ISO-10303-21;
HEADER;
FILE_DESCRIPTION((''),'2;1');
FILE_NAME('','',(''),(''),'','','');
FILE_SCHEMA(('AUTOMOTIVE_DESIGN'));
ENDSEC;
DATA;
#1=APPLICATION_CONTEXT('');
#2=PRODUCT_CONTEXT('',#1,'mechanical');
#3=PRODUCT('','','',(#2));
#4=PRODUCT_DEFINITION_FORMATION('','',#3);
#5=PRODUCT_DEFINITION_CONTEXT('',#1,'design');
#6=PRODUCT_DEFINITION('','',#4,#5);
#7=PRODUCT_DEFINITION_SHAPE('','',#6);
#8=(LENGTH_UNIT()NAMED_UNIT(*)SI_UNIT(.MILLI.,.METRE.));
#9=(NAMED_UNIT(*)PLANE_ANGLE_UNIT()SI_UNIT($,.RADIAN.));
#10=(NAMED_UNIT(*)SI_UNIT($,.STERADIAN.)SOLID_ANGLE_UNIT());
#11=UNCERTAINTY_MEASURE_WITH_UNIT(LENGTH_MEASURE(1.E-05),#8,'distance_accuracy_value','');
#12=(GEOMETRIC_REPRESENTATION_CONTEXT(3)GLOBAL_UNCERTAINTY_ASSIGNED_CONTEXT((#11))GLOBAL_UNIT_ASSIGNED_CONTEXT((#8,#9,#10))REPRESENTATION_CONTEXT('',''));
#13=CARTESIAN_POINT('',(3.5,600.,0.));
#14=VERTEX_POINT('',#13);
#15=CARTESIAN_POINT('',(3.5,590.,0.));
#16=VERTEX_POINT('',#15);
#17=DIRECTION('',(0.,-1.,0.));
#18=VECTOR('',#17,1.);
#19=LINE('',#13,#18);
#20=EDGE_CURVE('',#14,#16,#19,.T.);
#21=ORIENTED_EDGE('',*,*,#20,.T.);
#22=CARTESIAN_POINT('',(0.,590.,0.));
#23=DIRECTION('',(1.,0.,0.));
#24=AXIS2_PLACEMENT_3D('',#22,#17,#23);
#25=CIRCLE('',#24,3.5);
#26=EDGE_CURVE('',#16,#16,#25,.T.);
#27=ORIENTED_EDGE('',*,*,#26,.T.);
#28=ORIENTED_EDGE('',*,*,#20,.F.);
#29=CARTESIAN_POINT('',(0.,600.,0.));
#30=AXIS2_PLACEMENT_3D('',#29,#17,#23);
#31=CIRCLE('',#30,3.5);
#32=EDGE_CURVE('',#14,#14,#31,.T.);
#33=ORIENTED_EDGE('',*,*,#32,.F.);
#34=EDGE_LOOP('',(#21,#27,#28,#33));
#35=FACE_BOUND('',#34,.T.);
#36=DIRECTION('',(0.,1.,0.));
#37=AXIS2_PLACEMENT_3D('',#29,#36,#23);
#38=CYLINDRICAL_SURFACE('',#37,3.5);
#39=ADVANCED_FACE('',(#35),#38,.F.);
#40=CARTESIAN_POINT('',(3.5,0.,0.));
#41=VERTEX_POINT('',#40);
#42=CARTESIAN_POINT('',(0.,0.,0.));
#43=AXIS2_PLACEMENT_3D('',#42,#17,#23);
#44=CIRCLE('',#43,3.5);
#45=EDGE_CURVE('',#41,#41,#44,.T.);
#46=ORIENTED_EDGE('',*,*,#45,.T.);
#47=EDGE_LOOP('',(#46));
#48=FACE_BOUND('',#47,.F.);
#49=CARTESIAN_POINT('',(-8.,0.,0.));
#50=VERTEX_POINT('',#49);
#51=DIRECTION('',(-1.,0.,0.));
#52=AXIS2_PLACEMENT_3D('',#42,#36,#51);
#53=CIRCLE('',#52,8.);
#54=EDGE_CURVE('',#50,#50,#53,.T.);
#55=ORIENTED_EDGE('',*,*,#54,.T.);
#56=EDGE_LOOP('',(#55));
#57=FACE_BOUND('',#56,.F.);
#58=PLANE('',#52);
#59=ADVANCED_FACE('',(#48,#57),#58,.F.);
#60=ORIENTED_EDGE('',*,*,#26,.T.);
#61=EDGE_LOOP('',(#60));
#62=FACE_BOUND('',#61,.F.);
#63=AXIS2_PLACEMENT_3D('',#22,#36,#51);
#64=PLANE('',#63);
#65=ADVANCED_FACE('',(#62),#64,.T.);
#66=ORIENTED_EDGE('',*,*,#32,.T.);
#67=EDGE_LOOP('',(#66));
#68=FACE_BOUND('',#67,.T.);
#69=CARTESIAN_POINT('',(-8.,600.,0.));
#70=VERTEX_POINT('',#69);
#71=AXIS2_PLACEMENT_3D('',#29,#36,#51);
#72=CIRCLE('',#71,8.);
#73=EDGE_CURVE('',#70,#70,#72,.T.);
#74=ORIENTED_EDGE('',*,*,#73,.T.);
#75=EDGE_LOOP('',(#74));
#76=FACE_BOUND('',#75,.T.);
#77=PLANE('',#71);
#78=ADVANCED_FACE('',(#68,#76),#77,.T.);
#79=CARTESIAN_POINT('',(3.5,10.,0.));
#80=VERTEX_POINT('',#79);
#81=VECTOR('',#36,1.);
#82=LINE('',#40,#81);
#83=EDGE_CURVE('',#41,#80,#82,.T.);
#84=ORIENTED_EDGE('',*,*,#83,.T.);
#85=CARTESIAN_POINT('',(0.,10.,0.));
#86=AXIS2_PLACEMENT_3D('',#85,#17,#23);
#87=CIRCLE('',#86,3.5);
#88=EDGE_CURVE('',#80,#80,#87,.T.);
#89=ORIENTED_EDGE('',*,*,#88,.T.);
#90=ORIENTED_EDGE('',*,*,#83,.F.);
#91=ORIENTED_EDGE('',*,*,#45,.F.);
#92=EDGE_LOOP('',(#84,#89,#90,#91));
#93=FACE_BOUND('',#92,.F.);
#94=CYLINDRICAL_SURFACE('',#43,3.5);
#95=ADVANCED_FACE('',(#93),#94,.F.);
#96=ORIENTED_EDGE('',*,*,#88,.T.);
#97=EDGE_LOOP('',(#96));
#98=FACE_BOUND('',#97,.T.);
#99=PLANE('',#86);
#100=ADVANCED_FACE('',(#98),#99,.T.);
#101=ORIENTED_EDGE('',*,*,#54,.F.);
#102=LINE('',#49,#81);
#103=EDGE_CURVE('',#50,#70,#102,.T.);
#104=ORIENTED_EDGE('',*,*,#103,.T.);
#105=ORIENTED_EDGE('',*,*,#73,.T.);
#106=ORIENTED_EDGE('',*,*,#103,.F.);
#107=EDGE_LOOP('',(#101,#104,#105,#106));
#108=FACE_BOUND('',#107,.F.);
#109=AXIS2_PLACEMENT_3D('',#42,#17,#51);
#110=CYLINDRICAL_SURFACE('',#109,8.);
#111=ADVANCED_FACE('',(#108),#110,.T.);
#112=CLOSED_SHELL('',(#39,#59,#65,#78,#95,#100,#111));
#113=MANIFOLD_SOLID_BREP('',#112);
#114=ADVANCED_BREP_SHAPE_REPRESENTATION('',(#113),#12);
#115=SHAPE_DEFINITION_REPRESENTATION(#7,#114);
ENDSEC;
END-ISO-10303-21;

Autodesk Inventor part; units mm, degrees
ref_plane "YZ Plane" through (0, 0, 0) normal (1, 0, 0) x (0, 1, 0)
ref_plane "XZ Plane" through (0, 0, 0) normal (0, 1, 0) x (-1, 0, 0)
sketch "Sketch1" plane through (0, 0, 0) normal (0, 1, 0) x (-1, 0, 0)
  circle A0 centre (0, 0) radius 8
  dimension "d0" = 16
extrude "Extrusion1" add sketch "Sketch1" along normal blind 600
sketch "Sketch2" plane through (0, 0, 0) normal (0, -1, 0) x (1, 0, 0)
  circle A0 centre (0, 0) radius 3.5
  dimension "d7" = 7
extrude "Extrusion2" cut sketch "Sketch2" against normal blind 10
ref_plane "Work Plane1" through (0, 300, 0) normal (0, -1, 0) x (1, 0, 0)
mirror "Mirror1" about plane through (0, 300, 0) normal (0, -1, 0) of "Extrusion2"
properties part number "ScrewDriver" material "Aluminum 6061"
